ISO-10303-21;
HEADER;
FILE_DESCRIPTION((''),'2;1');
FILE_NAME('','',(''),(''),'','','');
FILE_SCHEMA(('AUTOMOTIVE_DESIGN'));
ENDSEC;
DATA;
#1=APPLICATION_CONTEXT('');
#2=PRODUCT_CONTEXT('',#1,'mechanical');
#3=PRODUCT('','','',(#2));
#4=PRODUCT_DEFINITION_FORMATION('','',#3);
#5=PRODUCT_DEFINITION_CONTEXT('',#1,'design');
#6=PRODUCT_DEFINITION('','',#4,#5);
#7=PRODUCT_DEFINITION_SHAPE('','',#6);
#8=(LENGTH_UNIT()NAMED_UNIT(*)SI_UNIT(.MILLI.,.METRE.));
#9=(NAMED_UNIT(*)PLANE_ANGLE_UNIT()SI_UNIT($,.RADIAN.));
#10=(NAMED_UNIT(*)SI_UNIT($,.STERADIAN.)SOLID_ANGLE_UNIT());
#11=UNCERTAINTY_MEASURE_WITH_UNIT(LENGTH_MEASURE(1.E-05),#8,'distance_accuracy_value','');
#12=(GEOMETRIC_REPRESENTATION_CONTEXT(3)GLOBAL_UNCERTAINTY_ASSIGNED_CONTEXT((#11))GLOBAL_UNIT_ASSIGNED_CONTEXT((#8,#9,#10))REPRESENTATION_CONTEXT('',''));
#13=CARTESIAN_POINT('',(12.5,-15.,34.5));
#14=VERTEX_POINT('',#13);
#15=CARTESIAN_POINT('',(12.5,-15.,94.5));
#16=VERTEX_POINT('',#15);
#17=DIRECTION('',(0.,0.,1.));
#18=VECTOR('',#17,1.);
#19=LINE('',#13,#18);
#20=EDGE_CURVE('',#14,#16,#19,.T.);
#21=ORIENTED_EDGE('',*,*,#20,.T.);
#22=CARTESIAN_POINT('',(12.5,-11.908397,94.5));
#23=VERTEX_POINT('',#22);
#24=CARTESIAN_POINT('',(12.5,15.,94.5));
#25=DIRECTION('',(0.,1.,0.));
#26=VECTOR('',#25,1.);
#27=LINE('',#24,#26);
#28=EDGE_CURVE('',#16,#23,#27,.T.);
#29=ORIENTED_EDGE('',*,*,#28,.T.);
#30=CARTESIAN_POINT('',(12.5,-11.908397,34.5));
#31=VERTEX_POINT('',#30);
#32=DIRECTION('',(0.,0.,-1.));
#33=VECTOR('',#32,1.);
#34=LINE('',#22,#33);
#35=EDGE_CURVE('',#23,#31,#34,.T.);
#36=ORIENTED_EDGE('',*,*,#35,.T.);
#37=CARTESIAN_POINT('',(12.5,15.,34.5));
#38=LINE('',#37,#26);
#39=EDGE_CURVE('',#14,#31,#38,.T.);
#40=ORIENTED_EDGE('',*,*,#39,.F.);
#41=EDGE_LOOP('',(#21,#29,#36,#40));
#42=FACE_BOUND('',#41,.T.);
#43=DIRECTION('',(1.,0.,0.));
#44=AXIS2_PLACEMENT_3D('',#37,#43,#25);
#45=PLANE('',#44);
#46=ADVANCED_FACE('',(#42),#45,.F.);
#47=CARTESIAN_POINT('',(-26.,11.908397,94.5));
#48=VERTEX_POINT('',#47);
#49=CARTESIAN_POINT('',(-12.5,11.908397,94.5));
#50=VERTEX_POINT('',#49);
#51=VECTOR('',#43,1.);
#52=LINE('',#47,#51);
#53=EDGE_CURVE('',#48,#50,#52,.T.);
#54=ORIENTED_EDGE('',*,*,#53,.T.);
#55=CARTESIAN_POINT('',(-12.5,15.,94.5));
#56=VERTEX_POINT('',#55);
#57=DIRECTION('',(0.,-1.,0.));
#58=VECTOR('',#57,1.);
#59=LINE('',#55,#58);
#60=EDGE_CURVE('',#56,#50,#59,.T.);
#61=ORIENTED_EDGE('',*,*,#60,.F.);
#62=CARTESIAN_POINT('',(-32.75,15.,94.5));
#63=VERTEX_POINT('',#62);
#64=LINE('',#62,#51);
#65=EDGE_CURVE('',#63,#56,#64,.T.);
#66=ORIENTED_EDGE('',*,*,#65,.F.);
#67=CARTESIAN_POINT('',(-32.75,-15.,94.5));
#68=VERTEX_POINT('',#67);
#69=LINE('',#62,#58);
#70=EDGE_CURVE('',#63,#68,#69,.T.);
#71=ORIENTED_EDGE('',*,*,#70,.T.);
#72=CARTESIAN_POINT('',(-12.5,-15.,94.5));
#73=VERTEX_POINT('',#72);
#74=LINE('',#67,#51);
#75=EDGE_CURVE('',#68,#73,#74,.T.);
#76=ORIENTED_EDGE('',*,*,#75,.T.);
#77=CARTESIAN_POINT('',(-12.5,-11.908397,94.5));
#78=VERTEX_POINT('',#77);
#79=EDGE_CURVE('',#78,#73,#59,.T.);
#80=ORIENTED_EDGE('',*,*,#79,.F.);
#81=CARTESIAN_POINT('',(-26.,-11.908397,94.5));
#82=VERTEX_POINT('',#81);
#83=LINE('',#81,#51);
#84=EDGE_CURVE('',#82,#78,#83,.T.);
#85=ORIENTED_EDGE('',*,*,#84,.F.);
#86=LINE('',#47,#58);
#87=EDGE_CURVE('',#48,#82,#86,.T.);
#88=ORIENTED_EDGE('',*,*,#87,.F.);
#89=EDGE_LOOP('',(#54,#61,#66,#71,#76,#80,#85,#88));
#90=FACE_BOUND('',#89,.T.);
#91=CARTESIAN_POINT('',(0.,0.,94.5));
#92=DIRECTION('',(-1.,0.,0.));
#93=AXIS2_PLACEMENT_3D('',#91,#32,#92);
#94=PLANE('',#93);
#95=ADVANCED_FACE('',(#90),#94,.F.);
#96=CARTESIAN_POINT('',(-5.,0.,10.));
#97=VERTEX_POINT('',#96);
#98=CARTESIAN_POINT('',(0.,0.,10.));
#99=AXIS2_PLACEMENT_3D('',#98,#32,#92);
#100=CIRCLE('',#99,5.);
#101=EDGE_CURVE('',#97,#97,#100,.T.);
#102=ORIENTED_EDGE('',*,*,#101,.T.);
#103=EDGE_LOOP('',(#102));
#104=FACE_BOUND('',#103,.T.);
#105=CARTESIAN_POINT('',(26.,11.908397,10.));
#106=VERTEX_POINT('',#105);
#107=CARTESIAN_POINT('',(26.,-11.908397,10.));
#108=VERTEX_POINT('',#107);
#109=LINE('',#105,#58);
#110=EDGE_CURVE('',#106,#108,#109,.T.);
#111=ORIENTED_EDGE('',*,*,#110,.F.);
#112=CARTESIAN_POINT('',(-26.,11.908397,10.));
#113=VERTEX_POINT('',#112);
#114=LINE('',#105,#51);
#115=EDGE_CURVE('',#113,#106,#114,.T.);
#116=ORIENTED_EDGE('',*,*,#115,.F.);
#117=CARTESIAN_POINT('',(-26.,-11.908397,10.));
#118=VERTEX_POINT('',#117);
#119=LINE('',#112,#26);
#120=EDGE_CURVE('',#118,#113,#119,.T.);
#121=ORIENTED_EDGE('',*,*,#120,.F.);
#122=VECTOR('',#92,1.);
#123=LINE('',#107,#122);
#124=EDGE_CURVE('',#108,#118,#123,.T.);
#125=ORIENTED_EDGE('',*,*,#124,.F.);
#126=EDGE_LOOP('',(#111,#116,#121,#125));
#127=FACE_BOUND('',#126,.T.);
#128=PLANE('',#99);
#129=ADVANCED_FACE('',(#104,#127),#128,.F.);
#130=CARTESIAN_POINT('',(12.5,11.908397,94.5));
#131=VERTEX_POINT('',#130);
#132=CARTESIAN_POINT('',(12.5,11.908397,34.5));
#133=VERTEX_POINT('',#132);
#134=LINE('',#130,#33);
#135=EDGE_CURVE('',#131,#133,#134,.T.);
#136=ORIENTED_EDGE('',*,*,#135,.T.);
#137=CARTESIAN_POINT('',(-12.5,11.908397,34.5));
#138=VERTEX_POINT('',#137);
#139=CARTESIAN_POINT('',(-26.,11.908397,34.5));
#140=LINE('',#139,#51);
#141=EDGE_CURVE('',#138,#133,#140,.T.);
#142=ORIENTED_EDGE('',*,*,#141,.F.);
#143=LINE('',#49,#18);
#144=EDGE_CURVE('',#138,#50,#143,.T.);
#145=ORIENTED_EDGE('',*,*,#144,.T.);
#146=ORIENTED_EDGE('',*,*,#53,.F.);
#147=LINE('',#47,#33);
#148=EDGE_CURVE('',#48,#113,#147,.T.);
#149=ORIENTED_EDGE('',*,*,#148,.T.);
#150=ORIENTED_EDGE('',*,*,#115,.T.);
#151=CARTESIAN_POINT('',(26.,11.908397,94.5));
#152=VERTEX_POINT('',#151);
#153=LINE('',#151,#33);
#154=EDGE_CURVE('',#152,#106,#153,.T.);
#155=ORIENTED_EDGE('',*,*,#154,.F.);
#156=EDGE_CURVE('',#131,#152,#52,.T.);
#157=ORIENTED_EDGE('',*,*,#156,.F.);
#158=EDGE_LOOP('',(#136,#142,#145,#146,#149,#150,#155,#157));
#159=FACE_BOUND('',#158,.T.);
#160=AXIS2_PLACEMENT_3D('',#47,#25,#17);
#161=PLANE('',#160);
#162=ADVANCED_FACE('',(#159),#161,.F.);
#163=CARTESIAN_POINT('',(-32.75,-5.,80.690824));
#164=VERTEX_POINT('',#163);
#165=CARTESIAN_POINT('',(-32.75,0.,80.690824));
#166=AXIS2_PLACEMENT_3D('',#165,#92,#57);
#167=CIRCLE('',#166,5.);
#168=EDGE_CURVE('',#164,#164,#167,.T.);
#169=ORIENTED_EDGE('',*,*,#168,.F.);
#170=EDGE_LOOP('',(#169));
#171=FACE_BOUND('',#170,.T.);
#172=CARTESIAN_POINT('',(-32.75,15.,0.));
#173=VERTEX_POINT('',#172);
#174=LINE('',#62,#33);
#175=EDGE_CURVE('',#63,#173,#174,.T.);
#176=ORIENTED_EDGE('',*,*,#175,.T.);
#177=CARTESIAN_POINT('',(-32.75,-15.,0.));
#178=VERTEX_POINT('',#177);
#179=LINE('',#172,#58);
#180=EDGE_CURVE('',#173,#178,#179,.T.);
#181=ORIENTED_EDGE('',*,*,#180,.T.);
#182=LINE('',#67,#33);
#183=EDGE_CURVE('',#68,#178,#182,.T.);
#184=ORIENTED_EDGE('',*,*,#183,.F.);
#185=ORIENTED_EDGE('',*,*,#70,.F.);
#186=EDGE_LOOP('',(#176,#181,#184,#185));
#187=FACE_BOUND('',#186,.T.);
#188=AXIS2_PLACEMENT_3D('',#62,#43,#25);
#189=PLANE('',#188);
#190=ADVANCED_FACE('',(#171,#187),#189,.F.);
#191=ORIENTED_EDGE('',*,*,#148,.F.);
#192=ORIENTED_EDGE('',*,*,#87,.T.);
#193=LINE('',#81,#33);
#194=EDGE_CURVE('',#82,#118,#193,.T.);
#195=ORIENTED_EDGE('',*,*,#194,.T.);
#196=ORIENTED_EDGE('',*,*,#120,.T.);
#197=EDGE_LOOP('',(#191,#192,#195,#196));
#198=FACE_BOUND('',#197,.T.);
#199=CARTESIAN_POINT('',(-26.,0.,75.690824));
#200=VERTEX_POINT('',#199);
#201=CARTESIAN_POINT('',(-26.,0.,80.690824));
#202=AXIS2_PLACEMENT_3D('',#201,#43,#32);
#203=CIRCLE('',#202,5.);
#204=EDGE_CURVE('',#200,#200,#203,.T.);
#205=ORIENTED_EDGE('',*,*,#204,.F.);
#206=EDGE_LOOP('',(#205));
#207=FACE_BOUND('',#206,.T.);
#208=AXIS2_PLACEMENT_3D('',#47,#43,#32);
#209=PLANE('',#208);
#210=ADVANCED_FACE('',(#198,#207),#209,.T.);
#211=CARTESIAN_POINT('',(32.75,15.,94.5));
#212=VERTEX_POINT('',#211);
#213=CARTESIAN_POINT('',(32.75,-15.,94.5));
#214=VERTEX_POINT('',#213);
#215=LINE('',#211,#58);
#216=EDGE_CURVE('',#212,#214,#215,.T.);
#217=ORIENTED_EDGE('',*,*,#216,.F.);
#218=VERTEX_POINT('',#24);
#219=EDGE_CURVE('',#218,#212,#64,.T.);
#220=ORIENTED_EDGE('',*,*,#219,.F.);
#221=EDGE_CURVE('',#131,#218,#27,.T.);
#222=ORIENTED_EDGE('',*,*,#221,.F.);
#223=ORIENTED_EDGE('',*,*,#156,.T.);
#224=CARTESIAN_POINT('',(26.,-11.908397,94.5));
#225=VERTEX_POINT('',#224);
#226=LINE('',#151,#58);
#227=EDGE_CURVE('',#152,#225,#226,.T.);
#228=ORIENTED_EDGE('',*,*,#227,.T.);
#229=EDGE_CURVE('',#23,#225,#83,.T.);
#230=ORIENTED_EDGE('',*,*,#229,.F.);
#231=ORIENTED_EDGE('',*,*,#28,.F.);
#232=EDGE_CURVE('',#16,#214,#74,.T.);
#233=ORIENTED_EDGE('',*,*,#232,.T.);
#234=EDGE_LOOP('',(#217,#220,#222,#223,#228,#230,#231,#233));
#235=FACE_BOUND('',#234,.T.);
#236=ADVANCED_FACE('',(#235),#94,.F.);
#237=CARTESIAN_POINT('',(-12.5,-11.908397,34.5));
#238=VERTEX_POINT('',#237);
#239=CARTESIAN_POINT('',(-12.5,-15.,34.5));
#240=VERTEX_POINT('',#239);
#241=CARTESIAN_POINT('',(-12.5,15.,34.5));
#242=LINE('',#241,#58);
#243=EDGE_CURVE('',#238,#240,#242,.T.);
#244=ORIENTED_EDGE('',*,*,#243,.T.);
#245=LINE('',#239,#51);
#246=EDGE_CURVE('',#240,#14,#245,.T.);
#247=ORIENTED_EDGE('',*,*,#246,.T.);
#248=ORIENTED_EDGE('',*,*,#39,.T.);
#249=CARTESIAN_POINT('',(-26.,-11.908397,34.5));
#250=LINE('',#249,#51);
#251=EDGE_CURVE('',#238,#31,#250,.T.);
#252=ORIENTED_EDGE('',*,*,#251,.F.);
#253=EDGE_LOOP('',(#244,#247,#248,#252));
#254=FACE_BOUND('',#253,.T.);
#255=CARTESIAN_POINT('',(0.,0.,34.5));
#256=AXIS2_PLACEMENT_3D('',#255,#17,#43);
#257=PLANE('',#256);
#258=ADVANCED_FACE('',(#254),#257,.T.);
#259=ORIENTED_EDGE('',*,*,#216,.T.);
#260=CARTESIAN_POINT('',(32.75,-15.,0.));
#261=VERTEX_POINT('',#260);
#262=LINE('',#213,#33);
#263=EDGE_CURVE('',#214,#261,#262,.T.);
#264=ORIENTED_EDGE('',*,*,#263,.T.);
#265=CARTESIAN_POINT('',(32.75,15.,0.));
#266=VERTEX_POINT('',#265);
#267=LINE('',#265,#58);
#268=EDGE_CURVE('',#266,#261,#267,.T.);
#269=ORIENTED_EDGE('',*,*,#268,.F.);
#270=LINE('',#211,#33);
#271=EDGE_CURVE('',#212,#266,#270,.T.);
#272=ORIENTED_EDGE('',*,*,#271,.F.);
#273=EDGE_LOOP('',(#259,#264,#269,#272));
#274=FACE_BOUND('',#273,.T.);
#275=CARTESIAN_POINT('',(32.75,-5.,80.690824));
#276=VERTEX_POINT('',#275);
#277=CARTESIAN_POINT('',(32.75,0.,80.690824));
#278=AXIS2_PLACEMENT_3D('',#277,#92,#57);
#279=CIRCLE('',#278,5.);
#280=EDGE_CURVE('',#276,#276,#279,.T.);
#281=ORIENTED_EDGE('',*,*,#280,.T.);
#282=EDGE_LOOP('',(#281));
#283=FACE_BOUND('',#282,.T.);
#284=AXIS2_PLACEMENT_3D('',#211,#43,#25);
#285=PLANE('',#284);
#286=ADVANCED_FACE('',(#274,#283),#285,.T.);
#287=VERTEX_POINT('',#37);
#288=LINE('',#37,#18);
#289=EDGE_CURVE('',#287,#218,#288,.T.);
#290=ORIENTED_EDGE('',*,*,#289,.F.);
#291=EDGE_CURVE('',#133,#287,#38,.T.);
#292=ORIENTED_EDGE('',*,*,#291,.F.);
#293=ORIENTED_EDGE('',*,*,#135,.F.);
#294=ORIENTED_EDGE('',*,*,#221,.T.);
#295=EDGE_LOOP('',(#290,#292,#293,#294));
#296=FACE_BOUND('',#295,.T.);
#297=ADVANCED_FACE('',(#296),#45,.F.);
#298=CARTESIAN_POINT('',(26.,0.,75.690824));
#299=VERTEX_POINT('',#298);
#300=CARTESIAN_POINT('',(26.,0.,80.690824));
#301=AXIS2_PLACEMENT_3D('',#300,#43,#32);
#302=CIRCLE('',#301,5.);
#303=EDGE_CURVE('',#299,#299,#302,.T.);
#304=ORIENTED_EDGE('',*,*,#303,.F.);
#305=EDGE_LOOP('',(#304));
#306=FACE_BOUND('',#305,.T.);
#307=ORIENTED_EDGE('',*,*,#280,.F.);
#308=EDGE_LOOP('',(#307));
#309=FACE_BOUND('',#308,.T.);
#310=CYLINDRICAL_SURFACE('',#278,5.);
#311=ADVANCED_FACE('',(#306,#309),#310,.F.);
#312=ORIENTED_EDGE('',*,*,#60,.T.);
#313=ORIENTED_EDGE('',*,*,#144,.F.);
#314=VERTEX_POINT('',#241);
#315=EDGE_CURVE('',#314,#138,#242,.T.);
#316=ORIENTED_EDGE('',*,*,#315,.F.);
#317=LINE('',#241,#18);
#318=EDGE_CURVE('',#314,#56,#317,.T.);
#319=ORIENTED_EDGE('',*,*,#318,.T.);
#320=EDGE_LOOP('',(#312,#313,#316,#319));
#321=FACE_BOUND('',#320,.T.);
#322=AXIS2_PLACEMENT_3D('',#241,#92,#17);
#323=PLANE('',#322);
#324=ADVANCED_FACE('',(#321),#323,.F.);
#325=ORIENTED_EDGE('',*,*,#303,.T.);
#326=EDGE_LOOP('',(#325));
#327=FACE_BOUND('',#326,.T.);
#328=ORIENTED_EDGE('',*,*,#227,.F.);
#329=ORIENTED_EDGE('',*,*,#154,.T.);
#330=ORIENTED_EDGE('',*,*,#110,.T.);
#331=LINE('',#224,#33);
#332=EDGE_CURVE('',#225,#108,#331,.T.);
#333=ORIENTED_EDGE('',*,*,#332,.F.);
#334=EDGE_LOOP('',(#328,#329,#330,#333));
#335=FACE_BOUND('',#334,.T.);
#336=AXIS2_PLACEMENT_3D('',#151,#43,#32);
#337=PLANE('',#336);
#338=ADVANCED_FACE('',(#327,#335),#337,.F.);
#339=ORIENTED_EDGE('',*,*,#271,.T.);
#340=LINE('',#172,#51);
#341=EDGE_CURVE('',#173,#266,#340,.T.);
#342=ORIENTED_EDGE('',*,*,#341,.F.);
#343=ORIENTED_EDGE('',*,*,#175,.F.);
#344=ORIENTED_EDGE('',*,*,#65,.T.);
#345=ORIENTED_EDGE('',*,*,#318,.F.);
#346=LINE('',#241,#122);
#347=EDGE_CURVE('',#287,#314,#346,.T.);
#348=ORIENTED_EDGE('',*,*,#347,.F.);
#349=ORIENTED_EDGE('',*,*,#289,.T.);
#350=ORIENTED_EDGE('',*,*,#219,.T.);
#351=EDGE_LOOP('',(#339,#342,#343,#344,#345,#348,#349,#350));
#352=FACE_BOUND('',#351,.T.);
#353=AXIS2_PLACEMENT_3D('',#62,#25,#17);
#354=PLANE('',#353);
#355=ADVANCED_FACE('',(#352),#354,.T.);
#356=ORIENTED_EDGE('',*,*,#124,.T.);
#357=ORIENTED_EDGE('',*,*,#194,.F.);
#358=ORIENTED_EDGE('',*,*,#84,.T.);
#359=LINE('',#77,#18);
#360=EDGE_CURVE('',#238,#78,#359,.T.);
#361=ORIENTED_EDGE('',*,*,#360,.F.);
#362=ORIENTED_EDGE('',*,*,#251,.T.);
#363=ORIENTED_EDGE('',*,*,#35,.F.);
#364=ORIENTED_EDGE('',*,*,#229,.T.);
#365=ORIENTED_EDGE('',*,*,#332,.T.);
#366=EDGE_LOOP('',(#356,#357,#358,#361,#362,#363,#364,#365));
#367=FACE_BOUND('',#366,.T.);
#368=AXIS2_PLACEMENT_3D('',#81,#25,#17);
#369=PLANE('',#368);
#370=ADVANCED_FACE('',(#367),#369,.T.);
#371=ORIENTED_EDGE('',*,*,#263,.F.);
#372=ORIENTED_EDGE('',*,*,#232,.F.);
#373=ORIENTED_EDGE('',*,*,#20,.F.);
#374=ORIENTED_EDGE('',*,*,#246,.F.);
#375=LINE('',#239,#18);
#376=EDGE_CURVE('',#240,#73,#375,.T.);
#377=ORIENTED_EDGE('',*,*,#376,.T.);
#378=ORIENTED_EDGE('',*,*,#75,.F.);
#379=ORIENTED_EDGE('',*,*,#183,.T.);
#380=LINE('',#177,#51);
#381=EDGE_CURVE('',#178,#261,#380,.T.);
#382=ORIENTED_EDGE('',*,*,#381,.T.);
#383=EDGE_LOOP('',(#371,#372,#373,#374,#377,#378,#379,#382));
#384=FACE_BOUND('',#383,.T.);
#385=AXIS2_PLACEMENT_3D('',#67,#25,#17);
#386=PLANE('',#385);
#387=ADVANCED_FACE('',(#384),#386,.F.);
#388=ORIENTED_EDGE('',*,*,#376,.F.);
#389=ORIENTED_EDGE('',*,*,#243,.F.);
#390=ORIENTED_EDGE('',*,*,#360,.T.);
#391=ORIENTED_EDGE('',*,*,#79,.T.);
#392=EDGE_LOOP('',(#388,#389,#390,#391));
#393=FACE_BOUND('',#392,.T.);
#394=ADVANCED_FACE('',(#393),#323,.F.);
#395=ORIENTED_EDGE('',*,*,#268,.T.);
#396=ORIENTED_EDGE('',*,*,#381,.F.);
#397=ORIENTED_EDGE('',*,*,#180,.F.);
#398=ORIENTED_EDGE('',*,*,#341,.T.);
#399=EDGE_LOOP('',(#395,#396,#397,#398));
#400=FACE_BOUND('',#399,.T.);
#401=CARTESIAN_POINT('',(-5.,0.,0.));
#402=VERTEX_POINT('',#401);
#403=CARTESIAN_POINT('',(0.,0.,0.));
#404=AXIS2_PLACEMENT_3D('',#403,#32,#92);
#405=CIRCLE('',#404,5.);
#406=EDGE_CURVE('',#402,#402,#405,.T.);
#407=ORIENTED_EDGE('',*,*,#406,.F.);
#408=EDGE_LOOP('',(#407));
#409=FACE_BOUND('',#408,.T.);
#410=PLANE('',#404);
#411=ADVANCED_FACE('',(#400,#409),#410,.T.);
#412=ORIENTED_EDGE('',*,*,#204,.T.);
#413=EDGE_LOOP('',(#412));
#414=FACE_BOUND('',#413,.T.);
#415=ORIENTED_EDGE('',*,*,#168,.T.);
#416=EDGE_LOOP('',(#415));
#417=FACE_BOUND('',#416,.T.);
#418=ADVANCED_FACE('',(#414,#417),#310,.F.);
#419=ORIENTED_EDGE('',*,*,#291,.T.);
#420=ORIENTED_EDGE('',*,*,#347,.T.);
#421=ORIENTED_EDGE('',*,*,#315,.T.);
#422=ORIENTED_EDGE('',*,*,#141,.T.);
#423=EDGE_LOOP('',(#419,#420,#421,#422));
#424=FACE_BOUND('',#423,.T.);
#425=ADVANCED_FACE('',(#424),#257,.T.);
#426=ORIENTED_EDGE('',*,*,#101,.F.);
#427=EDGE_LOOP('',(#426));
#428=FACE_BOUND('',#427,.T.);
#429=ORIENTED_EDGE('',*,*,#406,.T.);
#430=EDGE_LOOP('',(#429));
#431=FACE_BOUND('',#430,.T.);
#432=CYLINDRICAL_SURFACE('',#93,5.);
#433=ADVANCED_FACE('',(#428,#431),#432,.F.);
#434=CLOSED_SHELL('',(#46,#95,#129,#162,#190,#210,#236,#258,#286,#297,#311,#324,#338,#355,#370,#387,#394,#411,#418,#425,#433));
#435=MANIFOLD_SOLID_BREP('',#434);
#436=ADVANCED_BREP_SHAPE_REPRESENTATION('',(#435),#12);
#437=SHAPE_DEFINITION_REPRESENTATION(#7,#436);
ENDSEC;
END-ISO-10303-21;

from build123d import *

# Parameters (mm, degrees)
SKETCH2_W           = 65.5
SKETCH2_H           = 30
SKETCH2_W_2         = 52
SKETCH2_H_2         = 23.816793894
BOSS_EXTRUDE1_DEPTH = 94.5
SKETCH3_W           = 52
SKETCH3_H           = 23.816793894
BOSS_EXTRUDE2_DEPTH = 10
SKETCH4_W           = 25
SKETCH4_H           = 30
CUT_EXTRUDE1_DEPTH  = 60
SKETCH5_R           = 5
CUT_EXTRUDE2_DEPTH  = 116.954732547
SKETCH6_R           = 5
CUT_EXTRUDE3_DEPTH  = 102.132648042


with BuildPart() as part:
    # Sketch2 → Boss-Extrude1 (new body)
    with BuildSketch(Plane.XY):
        Rectangle(SKETCH2_W, SKETCH2_H)
        Rectangle(SKETCH2_W_2, SKETCH2_H_2, mode=Mode.SUBTRACT)
    extrude(amount=BOSS_EXTRUDE1_DEPTH)

    # Sketch3 → Boss-Extrude2 (add)
    with BuildSketch(Plane(origin=(0, 0, 0), x_dir=(-1, 0, 0), z_dir=(0, 0, -1))):
        Rectangle(SKETCH3_W, SKETCH3_H)
    extrude(amount=-BOSS_EXTRUDE2_DEPTH)

    # Sketch4 → Cut-Extrude1 (cut)
    with BuildSketch(Plane.XY.offset(94.5)):
        Rectangle(SKETCH4_W, SKETCH4_H)
    extrude(amount=-CUT_EXTRUDE1_DEPTH, mode=Mode.SUBTRACT)

    # Sketch5 → Cut-Extrude2 (cut, through all)
    with BuildSketch(Plane.ZY.offset(32.75)):
        with Locations(Location((80.690823626, 0, 0), (0, 0, 270))):
            Circle(SKETCH5_R)
    extrude(amount=-CUT_EXTRUDE2_DEPTH, mode=Mode.SUBTRACT)

    # Sketch6 → Cut-Extrude3 (cut, through all)
    with BuildSketch(Plane(origin=(0, 0, 0), x_dir=(-1, 0, 0), z_dir=(0, 0, -1))):
        Circle(SKETCH6_R)
    extrude(amount=-CUT_EXTRUDE3_DEPTH, mode=Mode.SUBTRACT)


solid = part.part
